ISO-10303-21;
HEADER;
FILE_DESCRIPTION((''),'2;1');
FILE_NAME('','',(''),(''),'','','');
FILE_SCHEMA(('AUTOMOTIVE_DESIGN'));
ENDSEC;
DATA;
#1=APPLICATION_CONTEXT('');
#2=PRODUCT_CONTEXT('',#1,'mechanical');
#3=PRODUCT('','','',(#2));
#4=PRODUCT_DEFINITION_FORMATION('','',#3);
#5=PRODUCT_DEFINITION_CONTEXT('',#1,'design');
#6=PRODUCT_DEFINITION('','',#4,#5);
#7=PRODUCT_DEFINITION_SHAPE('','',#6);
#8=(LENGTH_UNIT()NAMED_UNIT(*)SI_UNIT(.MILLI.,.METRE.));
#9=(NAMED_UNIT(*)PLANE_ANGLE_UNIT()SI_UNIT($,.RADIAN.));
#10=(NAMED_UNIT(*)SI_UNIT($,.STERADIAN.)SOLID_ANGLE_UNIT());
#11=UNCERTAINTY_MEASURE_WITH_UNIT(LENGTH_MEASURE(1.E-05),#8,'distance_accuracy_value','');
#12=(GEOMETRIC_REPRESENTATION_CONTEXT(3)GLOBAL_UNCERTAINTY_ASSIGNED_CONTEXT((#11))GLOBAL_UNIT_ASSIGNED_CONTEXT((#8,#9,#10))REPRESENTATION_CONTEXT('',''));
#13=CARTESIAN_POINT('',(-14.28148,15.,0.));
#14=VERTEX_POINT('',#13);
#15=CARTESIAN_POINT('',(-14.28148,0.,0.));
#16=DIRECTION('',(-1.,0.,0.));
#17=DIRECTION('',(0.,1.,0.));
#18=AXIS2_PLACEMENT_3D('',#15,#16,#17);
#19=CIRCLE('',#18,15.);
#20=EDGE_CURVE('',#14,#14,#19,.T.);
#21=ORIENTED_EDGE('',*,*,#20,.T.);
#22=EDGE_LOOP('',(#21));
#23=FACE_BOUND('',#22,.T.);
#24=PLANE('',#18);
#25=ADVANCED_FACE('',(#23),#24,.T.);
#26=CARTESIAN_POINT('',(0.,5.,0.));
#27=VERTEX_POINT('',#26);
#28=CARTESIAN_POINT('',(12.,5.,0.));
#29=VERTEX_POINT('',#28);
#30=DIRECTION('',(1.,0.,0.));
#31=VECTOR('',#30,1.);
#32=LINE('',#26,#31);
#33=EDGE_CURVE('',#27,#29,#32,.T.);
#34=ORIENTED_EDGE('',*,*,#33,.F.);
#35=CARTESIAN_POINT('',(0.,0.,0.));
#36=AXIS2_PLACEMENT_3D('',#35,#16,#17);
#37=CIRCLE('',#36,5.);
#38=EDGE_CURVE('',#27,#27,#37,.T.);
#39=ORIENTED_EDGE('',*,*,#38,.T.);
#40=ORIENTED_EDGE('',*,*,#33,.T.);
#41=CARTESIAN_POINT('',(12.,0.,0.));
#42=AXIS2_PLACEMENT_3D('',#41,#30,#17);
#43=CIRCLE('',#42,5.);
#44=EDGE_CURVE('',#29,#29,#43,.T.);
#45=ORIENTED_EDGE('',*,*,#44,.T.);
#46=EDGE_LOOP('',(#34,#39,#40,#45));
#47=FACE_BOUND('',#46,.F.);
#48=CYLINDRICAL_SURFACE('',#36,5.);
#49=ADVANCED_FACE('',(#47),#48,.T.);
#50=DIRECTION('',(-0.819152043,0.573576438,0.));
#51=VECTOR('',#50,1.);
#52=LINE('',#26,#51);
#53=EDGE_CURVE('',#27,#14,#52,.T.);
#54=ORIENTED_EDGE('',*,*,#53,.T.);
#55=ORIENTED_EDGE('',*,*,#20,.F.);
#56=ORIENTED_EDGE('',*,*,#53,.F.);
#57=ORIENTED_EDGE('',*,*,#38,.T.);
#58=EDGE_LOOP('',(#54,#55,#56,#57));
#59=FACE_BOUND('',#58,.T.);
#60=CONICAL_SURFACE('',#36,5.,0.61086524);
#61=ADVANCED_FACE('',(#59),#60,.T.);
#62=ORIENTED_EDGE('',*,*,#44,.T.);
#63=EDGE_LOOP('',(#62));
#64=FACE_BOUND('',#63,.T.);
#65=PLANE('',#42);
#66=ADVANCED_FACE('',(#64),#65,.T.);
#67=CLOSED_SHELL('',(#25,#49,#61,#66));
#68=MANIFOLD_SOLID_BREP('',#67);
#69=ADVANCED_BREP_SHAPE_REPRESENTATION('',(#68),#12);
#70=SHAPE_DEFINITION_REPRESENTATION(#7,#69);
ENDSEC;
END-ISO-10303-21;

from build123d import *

# Parameters (mm, degrees)
F1_FACE_R = 5
F2_DEPTH  = 12


with BuildPart() as f1:
    # F0 (on Top) → F1 (revolve)
    with BuildSketch(Plane.XY):
        Polygon((0, 5), (-14.28148, 15), (-14.28148, 0), (0, 0), align=None)
    revolve(axis=Axis((-7.14074, 0, 0), (-1, 0, 0)))

    # F1_face (on face) → F2 (join)
    with BuildSketch(Plane.YZ):
        Circle(F1_FACE_R)
    extrude(amount=F2_DEPTH)


solid = f1.part
